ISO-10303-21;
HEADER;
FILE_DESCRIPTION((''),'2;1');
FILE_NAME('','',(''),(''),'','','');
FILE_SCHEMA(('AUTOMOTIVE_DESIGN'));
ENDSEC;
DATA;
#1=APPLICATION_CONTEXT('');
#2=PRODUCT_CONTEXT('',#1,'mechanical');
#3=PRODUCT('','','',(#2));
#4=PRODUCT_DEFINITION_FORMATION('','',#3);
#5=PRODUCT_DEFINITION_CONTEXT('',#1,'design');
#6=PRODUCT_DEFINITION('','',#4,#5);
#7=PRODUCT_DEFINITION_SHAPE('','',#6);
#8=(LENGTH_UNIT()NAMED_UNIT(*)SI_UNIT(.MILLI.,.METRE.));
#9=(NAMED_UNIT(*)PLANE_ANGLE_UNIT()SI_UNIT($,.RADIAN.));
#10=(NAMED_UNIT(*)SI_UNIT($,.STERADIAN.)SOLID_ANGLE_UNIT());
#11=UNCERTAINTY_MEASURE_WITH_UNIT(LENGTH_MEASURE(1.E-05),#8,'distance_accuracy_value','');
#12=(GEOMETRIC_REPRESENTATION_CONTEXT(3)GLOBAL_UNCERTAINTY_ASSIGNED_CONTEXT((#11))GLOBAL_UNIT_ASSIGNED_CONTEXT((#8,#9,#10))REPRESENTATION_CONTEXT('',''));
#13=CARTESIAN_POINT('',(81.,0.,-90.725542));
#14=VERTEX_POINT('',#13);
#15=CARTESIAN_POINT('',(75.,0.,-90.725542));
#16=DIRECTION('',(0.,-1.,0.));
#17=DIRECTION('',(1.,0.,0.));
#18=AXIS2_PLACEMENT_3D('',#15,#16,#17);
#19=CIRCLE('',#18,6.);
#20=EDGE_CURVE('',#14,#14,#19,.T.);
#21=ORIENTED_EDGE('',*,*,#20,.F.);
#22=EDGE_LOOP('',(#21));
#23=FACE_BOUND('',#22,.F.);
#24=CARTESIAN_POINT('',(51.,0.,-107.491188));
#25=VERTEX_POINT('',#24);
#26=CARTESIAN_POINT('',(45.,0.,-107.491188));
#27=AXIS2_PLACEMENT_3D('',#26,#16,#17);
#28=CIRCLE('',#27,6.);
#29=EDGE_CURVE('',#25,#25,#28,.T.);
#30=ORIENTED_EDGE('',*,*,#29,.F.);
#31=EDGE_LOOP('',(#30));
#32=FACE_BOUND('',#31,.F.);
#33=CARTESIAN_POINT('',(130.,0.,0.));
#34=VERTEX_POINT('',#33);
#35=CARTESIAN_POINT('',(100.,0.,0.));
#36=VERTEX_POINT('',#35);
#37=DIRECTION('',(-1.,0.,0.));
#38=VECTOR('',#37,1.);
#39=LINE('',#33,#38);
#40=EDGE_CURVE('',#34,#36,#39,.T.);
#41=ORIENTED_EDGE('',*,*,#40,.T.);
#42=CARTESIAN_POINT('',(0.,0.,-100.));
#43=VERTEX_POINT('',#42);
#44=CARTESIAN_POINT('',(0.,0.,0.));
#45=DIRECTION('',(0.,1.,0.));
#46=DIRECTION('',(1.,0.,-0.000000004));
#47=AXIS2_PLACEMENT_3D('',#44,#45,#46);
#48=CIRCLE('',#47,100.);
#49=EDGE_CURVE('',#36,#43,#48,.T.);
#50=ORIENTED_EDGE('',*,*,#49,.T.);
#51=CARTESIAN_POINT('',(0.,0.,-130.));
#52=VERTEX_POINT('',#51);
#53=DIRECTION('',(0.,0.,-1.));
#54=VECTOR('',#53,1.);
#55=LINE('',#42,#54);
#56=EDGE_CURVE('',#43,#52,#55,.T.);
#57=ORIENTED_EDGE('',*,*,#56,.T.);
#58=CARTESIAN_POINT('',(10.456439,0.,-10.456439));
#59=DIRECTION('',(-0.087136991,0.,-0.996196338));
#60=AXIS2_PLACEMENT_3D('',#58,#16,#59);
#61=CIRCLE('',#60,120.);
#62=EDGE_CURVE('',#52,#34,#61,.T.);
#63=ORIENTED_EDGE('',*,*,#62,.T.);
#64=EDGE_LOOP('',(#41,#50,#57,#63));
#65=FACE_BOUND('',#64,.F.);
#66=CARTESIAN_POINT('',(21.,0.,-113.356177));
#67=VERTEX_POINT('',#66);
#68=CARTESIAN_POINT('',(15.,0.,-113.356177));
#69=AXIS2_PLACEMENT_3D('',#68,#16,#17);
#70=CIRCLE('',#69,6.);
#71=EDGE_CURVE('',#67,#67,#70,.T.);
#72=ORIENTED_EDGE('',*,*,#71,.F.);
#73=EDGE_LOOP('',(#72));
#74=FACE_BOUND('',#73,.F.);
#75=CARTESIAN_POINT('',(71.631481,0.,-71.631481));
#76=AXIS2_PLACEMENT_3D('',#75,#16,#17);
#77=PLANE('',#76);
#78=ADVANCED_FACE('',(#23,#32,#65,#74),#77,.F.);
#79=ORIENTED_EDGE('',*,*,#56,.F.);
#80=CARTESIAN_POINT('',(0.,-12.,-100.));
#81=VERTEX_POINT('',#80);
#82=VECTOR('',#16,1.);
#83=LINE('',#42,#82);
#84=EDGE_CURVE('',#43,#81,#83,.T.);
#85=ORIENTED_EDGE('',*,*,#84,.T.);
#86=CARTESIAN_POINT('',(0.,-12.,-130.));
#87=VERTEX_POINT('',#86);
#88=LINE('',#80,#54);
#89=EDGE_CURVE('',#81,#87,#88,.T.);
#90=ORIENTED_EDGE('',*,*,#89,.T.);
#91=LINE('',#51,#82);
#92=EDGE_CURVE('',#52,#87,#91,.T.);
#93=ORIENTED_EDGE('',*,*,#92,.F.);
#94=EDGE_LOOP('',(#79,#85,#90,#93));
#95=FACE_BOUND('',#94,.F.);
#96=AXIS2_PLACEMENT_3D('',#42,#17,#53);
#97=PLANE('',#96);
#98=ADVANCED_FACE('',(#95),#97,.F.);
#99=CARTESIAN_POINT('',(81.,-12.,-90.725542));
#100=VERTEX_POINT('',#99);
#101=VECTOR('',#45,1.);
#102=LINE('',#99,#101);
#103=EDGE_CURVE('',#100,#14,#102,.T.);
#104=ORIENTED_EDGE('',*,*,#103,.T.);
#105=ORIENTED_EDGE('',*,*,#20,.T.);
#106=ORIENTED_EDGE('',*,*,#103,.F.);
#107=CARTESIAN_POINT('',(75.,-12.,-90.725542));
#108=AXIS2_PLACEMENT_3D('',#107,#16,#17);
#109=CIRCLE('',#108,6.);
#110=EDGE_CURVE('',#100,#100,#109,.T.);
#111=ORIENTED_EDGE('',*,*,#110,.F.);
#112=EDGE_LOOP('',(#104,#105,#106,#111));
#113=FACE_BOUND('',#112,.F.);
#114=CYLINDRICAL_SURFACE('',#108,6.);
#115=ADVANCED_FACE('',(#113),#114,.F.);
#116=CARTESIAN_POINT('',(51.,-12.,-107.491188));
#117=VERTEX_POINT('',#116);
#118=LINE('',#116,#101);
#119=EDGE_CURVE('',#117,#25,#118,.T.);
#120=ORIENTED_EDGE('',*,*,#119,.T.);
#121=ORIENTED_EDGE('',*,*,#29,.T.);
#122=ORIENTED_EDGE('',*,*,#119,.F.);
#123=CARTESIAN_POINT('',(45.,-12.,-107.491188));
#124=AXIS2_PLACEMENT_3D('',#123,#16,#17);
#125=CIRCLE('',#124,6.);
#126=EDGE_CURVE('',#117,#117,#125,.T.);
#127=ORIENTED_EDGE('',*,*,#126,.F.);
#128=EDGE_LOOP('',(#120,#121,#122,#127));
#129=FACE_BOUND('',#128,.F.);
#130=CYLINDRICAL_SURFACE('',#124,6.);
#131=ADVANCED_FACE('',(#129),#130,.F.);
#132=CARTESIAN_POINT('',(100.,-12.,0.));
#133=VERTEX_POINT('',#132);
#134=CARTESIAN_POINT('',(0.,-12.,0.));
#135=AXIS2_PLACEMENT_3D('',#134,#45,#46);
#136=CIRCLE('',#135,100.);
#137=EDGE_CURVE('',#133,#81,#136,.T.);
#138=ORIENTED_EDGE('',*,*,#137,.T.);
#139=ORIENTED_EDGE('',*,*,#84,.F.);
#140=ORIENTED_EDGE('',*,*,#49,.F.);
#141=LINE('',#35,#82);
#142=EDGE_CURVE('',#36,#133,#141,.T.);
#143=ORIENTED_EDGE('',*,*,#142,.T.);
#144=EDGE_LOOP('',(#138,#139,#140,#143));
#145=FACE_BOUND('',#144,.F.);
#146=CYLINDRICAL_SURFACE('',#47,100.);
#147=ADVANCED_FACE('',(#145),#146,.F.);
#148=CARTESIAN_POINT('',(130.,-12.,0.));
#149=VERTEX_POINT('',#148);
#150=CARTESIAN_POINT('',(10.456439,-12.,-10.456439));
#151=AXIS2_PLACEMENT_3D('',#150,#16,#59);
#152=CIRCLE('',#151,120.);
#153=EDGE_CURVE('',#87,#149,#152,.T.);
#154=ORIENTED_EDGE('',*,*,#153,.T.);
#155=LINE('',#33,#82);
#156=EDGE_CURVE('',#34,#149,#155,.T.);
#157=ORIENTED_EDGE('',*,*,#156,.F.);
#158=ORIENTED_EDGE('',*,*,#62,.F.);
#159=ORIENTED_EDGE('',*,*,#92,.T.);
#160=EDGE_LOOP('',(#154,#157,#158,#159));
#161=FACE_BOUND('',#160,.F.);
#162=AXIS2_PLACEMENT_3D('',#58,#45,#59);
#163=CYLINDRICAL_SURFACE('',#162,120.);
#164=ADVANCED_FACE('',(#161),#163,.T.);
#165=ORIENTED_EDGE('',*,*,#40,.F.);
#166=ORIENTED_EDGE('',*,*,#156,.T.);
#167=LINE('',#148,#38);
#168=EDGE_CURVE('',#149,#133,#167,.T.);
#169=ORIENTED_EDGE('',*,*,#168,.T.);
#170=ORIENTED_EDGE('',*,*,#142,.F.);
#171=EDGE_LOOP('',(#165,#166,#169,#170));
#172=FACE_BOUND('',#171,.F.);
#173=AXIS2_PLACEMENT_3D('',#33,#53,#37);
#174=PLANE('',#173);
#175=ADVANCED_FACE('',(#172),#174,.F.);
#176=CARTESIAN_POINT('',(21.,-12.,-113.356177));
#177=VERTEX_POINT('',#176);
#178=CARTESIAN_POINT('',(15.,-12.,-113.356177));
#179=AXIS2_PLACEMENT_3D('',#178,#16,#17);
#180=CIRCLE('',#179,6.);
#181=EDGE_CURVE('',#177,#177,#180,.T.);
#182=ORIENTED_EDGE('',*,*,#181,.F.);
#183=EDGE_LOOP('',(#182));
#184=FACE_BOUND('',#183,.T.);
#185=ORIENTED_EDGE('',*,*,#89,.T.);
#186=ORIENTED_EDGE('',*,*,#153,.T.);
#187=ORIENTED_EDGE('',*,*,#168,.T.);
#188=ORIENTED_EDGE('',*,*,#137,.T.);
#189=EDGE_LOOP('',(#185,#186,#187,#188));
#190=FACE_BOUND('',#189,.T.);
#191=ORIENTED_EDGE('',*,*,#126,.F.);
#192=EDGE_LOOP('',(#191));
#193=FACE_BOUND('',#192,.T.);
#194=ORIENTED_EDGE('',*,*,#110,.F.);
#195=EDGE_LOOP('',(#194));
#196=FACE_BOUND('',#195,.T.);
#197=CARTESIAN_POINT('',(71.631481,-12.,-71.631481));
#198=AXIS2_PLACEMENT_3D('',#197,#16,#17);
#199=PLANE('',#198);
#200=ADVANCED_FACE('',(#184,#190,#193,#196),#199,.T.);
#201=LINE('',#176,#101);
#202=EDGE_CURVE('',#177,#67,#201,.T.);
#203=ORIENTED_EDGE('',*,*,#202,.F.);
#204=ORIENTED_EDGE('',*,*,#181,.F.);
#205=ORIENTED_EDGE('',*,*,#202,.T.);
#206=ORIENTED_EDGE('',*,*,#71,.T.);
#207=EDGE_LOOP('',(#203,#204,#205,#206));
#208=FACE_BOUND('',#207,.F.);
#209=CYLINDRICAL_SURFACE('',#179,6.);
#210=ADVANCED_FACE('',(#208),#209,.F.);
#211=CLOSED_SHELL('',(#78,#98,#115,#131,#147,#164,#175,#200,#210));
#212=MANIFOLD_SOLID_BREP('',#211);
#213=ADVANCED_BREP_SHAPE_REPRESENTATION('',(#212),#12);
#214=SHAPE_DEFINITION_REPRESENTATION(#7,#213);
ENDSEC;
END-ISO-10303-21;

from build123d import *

# Parameters (mm, degrees)
F1_DEPTH = 12
F2_R     = 6
F3_DEPTH = 25


with BuildPart() as f1:
    # F0 (on Front) → F1 (new body)
    with BuildSketch(Plane.XZ):
        with BuildLine():
            Line((0, -100), (0, -130))
            ThreePointArc((0, -130), (95.309253, -95.309253), (130, 0))
            Line((130, 0), (100, 0))
            ThreePointArc((100, 0), (70.710678, -70.710678), (0, -100))
        make_face()
    extrude(amount=F1_DEPTH)

    # F2 (on face) → F3 (cut)
    with BuildSketch(Plane.XZ.offset(12)):
        with Locations((15, -113.356177)):
            Circle(F2_R)
        with Locations((45, -107.491188)):
            Circle(F2_R)
        with Locations((75, -90.725542)):
            Circle(F2_R)
    extrude(amount=-F3_DEPTH, mode=Mode.SUBTRACT)


solid = f1.part
